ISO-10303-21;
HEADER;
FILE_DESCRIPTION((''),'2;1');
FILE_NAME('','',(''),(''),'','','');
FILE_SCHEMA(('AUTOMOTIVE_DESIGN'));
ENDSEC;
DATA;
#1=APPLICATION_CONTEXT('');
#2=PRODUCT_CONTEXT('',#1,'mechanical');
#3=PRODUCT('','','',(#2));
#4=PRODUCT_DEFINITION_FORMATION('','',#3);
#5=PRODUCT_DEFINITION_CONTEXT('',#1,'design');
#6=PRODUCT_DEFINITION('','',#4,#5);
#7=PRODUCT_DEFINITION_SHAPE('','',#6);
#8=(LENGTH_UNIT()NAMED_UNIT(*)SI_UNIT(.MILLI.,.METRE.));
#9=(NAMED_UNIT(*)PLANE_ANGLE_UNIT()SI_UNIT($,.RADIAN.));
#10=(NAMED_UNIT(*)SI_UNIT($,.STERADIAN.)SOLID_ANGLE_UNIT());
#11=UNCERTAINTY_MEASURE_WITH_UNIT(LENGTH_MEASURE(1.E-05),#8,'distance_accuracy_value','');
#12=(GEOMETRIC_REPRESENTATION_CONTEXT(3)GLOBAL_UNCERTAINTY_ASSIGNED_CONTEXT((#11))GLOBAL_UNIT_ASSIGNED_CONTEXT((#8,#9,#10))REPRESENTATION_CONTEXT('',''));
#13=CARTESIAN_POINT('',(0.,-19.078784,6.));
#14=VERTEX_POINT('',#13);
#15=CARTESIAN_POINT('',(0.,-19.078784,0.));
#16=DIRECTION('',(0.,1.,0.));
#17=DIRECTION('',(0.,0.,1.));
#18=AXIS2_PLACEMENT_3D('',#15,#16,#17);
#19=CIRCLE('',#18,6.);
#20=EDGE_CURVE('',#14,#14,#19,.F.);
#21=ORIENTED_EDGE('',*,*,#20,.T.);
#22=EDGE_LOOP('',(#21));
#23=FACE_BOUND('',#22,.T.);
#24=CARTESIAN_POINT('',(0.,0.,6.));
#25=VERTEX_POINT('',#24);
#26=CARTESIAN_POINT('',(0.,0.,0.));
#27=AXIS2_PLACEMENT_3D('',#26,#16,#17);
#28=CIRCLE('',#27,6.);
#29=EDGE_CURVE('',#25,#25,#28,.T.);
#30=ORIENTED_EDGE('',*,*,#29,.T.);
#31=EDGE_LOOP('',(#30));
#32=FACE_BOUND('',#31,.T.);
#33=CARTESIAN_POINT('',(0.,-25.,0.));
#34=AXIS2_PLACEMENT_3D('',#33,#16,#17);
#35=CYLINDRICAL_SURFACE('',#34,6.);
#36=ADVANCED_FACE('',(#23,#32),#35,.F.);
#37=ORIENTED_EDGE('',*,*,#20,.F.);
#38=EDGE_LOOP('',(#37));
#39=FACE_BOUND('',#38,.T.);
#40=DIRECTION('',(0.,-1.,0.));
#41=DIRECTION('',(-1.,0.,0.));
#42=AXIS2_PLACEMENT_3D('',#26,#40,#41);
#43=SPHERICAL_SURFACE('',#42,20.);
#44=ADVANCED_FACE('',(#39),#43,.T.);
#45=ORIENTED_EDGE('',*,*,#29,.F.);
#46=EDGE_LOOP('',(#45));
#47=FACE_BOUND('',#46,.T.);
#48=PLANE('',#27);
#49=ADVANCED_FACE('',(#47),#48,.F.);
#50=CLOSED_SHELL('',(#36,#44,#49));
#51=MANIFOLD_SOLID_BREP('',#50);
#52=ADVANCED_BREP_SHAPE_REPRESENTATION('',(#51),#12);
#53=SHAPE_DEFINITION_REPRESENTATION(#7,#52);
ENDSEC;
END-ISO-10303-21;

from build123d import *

# Parameters (mm, degrees)
SKETCH3_R          = 6
CUT_EXTRUDE1_DEPTH = 25


with BuildPart() as part:
    # Sketch2 → Revolve1 (revolve)
    with BuildSketch(Plane.XY):
        with BuildLine():
            Line((0, -20), (0, 20))
            ThreePointArc((0, 20), (20, 0), (0, -20))
        make_face()
    revolve(axis=Axis((0, -20, 0), (0, 1, 0)))

    # Sketch3 → Cut-Extrude1 (cut)
    with BuildSketch(Plane(origin=(0, 0, 0), x_dir=(1, 0, 0), z_dir=(0, 1, 0))):
        with Locations(Location((0, 0, 0), (0, 0, 270))):
            Circle(SKETCH3_R)
    extrude(amount=-CUT_EXTRUDE1_DEPTH, mode=Mode.SUBTRACT)


solid = part.part
